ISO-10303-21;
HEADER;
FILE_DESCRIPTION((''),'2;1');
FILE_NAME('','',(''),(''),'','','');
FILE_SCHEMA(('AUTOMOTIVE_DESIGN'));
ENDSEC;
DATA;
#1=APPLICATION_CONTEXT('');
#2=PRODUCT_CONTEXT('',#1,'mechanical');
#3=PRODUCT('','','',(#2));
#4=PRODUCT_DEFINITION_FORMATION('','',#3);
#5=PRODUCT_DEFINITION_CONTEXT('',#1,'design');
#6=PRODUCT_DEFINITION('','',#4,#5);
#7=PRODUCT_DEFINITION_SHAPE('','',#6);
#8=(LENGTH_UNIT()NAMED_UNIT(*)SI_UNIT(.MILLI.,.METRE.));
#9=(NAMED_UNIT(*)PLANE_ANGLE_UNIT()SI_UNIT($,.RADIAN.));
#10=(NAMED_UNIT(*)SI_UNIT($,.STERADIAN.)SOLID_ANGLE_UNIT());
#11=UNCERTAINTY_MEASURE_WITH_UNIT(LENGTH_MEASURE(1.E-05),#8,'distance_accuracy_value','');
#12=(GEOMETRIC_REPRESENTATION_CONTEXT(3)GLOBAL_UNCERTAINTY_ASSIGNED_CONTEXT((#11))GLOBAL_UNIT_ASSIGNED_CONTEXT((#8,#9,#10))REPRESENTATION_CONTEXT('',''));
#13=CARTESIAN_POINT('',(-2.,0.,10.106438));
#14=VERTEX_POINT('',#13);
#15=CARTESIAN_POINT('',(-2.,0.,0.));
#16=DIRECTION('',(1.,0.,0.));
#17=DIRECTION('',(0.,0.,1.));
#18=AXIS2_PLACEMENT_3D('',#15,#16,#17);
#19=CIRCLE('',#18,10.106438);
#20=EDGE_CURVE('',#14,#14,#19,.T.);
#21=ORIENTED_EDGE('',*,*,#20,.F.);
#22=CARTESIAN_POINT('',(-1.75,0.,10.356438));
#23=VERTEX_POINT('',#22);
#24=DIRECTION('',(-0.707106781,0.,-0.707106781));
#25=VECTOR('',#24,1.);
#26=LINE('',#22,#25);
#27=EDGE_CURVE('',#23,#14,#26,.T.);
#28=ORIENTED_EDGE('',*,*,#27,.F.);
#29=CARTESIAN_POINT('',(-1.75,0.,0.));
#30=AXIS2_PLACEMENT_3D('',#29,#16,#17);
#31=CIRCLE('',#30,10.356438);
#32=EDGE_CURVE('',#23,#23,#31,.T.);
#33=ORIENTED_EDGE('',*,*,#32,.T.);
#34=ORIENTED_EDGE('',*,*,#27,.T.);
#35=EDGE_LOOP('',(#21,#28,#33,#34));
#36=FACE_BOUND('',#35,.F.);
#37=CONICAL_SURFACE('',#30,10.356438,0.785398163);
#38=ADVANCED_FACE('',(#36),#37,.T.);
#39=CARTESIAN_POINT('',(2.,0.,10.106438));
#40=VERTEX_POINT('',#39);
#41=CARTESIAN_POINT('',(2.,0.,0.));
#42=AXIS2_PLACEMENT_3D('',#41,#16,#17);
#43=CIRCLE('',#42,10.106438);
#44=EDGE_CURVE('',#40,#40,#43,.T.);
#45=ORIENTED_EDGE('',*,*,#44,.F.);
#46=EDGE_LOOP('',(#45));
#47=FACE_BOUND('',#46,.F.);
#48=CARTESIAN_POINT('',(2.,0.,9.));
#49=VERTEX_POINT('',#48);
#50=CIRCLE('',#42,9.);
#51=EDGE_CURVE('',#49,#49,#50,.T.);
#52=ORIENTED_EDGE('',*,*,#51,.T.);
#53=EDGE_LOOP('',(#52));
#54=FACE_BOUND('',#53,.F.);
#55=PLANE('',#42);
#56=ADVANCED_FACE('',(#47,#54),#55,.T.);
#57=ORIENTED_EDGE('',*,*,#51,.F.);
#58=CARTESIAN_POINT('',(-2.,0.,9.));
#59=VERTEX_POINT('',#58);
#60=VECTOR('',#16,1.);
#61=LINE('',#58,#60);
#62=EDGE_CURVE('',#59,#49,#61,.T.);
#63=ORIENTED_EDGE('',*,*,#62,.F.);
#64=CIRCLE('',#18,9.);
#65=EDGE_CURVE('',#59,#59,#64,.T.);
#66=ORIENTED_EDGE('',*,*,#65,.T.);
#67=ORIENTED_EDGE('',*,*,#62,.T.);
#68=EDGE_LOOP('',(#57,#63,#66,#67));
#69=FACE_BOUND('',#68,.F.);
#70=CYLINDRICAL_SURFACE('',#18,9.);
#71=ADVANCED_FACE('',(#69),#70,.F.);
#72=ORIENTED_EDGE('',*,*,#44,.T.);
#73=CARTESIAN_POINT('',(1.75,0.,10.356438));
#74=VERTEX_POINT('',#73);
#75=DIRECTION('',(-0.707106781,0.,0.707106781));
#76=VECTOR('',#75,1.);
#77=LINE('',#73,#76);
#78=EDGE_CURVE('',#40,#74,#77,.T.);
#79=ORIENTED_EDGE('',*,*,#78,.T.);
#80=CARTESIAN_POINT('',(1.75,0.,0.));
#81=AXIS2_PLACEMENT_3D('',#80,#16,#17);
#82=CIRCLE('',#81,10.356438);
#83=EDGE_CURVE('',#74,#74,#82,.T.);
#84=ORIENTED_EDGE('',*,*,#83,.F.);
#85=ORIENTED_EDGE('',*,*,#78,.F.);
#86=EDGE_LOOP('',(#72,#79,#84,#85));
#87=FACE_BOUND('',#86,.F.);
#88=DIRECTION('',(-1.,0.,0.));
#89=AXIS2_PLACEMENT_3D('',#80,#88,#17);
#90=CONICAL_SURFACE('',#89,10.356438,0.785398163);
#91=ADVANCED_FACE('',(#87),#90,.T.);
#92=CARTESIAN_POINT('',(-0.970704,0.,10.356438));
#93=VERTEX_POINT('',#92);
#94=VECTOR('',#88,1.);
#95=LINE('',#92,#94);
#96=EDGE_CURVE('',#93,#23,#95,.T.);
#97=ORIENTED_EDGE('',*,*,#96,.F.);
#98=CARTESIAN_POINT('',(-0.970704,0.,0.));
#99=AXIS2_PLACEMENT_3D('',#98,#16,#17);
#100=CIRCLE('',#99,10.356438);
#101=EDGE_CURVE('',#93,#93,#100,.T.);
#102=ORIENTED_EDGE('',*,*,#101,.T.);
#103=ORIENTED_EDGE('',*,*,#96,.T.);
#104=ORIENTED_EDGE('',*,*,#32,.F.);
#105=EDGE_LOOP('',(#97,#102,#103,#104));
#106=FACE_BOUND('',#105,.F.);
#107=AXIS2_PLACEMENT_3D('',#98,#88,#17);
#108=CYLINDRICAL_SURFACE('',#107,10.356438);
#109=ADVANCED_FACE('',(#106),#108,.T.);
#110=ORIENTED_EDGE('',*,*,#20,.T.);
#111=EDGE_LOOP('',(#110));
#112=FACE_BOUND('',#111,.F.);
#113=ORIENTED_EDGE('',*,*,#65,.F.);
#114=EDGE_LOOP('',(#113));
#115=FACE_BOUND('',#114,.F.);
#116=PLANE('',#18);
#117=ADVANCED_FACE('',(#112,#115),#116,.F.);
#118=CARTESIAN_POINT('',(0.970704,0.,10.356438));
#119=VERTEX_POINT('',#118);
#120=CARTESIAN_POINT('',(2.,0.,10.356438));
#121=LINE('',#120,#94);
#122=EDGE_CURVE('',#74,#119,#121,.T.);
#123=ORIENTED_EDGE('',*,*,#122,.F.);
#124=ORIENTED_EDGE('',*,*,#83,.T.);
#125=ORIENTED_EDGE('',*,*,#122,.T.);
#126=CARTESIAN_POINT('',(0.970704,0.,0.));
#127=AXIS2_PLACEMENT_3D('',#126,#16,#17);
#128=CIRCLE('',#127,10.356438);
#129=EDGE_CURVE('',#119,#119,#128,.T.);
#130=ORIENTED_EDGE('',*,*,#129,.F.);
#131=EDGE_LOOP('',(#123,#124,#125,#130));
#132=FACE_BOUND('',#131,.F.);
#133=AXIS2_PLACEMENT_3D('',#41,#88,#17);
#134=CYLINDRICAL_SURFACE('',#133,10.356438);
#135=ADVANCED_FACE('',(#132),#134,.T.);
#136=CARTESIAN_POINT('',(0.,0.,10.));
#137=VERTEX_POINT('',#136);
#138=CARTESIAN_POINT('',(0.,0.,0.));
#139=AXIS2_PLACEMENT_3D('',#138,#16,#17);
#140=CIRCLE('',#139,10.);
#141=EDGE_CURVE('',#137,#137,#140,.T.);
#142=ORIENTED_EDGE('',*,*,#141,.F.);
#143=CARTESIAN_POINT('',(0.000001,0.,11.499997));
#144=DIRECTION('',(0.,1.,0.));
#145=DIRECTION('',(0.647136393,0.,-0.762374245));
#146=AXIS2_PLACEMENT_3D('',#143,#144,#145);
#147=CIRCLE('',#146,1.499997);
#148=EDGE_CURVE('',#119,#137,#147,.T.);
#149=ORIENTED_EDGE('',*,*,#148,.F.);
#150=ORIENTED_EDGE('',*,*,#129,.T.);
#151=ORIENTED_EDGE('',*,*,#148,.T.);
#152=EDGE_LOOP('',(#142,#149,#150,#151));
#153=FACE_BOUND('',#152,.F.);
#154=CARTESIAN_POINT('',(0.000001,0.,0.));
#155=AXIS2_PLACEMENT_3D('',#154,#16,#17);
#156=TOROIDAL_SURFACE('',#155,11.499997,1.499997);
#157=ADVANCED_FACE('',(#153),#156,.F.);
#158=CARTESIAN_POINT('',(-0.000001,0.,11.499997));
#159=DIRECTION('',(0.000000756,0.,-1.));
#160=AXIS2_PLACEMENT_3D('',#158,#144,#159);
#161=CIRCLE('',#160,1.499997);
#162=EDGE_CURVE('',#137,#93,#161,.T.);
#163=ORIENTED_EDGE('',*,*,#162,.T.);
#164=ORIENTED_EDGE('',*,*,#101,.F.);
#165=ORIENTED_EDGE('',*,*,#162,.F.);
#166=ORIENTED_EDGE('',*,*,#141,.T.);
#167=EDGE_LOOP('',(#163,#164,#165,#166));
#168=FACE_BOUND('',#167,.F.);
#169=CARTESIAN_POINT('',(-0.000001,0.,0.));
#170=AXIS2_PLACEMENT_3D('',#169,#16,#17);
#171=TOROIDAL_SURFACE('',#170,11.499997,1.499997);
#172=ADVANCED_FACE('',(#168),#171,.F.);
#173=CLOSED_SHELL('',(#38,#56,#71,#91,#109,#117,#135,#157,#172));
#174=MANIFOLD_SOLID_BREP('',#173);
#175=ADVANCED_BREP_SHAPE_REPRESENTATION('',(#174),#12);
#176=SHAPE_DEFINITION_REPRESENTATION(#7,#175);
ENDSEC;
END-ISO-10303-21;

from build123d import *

# Parameters (mm, degrees)
F2_SIZE = 0.25


with BuildPart() as f1:
    # F0 (on Front) → F1 (revolve)
    with BuildSketch(Plane.XZ):
        with BuildLine():
            ThreePointArc((0.970704, 10.356438), (0.517038, 10.091926), (0, 10))
            ThreePointArc((0, 10), (-0.517038, 10.091926), (-0.970704, 10.356438))
            Line((-0.970704, 10.356438), (-2, 10.356438))
            Line((-2, 10.356438), (-2, 9))
            Line((-2, 9), (0, 9))
            Line((0, 9), (2, 9))
            Line((2, 9), (2, 10.356438))
            Line((2, 10.356438), (0.970704, 10.356438))
        make_face()
    revolve(axis=Axis((0.374946, 0, 0), (1, 0, 0)))

    # F2
    f2_edges = [f1.edges().sort_by_distance(p)[0] for p in [
        (2, 0, -10.356438),
        (-2, 0, -10.356438),
    ]]
    chamfer(f2_edges, length=F2_SIZE)


solid = f1.part
